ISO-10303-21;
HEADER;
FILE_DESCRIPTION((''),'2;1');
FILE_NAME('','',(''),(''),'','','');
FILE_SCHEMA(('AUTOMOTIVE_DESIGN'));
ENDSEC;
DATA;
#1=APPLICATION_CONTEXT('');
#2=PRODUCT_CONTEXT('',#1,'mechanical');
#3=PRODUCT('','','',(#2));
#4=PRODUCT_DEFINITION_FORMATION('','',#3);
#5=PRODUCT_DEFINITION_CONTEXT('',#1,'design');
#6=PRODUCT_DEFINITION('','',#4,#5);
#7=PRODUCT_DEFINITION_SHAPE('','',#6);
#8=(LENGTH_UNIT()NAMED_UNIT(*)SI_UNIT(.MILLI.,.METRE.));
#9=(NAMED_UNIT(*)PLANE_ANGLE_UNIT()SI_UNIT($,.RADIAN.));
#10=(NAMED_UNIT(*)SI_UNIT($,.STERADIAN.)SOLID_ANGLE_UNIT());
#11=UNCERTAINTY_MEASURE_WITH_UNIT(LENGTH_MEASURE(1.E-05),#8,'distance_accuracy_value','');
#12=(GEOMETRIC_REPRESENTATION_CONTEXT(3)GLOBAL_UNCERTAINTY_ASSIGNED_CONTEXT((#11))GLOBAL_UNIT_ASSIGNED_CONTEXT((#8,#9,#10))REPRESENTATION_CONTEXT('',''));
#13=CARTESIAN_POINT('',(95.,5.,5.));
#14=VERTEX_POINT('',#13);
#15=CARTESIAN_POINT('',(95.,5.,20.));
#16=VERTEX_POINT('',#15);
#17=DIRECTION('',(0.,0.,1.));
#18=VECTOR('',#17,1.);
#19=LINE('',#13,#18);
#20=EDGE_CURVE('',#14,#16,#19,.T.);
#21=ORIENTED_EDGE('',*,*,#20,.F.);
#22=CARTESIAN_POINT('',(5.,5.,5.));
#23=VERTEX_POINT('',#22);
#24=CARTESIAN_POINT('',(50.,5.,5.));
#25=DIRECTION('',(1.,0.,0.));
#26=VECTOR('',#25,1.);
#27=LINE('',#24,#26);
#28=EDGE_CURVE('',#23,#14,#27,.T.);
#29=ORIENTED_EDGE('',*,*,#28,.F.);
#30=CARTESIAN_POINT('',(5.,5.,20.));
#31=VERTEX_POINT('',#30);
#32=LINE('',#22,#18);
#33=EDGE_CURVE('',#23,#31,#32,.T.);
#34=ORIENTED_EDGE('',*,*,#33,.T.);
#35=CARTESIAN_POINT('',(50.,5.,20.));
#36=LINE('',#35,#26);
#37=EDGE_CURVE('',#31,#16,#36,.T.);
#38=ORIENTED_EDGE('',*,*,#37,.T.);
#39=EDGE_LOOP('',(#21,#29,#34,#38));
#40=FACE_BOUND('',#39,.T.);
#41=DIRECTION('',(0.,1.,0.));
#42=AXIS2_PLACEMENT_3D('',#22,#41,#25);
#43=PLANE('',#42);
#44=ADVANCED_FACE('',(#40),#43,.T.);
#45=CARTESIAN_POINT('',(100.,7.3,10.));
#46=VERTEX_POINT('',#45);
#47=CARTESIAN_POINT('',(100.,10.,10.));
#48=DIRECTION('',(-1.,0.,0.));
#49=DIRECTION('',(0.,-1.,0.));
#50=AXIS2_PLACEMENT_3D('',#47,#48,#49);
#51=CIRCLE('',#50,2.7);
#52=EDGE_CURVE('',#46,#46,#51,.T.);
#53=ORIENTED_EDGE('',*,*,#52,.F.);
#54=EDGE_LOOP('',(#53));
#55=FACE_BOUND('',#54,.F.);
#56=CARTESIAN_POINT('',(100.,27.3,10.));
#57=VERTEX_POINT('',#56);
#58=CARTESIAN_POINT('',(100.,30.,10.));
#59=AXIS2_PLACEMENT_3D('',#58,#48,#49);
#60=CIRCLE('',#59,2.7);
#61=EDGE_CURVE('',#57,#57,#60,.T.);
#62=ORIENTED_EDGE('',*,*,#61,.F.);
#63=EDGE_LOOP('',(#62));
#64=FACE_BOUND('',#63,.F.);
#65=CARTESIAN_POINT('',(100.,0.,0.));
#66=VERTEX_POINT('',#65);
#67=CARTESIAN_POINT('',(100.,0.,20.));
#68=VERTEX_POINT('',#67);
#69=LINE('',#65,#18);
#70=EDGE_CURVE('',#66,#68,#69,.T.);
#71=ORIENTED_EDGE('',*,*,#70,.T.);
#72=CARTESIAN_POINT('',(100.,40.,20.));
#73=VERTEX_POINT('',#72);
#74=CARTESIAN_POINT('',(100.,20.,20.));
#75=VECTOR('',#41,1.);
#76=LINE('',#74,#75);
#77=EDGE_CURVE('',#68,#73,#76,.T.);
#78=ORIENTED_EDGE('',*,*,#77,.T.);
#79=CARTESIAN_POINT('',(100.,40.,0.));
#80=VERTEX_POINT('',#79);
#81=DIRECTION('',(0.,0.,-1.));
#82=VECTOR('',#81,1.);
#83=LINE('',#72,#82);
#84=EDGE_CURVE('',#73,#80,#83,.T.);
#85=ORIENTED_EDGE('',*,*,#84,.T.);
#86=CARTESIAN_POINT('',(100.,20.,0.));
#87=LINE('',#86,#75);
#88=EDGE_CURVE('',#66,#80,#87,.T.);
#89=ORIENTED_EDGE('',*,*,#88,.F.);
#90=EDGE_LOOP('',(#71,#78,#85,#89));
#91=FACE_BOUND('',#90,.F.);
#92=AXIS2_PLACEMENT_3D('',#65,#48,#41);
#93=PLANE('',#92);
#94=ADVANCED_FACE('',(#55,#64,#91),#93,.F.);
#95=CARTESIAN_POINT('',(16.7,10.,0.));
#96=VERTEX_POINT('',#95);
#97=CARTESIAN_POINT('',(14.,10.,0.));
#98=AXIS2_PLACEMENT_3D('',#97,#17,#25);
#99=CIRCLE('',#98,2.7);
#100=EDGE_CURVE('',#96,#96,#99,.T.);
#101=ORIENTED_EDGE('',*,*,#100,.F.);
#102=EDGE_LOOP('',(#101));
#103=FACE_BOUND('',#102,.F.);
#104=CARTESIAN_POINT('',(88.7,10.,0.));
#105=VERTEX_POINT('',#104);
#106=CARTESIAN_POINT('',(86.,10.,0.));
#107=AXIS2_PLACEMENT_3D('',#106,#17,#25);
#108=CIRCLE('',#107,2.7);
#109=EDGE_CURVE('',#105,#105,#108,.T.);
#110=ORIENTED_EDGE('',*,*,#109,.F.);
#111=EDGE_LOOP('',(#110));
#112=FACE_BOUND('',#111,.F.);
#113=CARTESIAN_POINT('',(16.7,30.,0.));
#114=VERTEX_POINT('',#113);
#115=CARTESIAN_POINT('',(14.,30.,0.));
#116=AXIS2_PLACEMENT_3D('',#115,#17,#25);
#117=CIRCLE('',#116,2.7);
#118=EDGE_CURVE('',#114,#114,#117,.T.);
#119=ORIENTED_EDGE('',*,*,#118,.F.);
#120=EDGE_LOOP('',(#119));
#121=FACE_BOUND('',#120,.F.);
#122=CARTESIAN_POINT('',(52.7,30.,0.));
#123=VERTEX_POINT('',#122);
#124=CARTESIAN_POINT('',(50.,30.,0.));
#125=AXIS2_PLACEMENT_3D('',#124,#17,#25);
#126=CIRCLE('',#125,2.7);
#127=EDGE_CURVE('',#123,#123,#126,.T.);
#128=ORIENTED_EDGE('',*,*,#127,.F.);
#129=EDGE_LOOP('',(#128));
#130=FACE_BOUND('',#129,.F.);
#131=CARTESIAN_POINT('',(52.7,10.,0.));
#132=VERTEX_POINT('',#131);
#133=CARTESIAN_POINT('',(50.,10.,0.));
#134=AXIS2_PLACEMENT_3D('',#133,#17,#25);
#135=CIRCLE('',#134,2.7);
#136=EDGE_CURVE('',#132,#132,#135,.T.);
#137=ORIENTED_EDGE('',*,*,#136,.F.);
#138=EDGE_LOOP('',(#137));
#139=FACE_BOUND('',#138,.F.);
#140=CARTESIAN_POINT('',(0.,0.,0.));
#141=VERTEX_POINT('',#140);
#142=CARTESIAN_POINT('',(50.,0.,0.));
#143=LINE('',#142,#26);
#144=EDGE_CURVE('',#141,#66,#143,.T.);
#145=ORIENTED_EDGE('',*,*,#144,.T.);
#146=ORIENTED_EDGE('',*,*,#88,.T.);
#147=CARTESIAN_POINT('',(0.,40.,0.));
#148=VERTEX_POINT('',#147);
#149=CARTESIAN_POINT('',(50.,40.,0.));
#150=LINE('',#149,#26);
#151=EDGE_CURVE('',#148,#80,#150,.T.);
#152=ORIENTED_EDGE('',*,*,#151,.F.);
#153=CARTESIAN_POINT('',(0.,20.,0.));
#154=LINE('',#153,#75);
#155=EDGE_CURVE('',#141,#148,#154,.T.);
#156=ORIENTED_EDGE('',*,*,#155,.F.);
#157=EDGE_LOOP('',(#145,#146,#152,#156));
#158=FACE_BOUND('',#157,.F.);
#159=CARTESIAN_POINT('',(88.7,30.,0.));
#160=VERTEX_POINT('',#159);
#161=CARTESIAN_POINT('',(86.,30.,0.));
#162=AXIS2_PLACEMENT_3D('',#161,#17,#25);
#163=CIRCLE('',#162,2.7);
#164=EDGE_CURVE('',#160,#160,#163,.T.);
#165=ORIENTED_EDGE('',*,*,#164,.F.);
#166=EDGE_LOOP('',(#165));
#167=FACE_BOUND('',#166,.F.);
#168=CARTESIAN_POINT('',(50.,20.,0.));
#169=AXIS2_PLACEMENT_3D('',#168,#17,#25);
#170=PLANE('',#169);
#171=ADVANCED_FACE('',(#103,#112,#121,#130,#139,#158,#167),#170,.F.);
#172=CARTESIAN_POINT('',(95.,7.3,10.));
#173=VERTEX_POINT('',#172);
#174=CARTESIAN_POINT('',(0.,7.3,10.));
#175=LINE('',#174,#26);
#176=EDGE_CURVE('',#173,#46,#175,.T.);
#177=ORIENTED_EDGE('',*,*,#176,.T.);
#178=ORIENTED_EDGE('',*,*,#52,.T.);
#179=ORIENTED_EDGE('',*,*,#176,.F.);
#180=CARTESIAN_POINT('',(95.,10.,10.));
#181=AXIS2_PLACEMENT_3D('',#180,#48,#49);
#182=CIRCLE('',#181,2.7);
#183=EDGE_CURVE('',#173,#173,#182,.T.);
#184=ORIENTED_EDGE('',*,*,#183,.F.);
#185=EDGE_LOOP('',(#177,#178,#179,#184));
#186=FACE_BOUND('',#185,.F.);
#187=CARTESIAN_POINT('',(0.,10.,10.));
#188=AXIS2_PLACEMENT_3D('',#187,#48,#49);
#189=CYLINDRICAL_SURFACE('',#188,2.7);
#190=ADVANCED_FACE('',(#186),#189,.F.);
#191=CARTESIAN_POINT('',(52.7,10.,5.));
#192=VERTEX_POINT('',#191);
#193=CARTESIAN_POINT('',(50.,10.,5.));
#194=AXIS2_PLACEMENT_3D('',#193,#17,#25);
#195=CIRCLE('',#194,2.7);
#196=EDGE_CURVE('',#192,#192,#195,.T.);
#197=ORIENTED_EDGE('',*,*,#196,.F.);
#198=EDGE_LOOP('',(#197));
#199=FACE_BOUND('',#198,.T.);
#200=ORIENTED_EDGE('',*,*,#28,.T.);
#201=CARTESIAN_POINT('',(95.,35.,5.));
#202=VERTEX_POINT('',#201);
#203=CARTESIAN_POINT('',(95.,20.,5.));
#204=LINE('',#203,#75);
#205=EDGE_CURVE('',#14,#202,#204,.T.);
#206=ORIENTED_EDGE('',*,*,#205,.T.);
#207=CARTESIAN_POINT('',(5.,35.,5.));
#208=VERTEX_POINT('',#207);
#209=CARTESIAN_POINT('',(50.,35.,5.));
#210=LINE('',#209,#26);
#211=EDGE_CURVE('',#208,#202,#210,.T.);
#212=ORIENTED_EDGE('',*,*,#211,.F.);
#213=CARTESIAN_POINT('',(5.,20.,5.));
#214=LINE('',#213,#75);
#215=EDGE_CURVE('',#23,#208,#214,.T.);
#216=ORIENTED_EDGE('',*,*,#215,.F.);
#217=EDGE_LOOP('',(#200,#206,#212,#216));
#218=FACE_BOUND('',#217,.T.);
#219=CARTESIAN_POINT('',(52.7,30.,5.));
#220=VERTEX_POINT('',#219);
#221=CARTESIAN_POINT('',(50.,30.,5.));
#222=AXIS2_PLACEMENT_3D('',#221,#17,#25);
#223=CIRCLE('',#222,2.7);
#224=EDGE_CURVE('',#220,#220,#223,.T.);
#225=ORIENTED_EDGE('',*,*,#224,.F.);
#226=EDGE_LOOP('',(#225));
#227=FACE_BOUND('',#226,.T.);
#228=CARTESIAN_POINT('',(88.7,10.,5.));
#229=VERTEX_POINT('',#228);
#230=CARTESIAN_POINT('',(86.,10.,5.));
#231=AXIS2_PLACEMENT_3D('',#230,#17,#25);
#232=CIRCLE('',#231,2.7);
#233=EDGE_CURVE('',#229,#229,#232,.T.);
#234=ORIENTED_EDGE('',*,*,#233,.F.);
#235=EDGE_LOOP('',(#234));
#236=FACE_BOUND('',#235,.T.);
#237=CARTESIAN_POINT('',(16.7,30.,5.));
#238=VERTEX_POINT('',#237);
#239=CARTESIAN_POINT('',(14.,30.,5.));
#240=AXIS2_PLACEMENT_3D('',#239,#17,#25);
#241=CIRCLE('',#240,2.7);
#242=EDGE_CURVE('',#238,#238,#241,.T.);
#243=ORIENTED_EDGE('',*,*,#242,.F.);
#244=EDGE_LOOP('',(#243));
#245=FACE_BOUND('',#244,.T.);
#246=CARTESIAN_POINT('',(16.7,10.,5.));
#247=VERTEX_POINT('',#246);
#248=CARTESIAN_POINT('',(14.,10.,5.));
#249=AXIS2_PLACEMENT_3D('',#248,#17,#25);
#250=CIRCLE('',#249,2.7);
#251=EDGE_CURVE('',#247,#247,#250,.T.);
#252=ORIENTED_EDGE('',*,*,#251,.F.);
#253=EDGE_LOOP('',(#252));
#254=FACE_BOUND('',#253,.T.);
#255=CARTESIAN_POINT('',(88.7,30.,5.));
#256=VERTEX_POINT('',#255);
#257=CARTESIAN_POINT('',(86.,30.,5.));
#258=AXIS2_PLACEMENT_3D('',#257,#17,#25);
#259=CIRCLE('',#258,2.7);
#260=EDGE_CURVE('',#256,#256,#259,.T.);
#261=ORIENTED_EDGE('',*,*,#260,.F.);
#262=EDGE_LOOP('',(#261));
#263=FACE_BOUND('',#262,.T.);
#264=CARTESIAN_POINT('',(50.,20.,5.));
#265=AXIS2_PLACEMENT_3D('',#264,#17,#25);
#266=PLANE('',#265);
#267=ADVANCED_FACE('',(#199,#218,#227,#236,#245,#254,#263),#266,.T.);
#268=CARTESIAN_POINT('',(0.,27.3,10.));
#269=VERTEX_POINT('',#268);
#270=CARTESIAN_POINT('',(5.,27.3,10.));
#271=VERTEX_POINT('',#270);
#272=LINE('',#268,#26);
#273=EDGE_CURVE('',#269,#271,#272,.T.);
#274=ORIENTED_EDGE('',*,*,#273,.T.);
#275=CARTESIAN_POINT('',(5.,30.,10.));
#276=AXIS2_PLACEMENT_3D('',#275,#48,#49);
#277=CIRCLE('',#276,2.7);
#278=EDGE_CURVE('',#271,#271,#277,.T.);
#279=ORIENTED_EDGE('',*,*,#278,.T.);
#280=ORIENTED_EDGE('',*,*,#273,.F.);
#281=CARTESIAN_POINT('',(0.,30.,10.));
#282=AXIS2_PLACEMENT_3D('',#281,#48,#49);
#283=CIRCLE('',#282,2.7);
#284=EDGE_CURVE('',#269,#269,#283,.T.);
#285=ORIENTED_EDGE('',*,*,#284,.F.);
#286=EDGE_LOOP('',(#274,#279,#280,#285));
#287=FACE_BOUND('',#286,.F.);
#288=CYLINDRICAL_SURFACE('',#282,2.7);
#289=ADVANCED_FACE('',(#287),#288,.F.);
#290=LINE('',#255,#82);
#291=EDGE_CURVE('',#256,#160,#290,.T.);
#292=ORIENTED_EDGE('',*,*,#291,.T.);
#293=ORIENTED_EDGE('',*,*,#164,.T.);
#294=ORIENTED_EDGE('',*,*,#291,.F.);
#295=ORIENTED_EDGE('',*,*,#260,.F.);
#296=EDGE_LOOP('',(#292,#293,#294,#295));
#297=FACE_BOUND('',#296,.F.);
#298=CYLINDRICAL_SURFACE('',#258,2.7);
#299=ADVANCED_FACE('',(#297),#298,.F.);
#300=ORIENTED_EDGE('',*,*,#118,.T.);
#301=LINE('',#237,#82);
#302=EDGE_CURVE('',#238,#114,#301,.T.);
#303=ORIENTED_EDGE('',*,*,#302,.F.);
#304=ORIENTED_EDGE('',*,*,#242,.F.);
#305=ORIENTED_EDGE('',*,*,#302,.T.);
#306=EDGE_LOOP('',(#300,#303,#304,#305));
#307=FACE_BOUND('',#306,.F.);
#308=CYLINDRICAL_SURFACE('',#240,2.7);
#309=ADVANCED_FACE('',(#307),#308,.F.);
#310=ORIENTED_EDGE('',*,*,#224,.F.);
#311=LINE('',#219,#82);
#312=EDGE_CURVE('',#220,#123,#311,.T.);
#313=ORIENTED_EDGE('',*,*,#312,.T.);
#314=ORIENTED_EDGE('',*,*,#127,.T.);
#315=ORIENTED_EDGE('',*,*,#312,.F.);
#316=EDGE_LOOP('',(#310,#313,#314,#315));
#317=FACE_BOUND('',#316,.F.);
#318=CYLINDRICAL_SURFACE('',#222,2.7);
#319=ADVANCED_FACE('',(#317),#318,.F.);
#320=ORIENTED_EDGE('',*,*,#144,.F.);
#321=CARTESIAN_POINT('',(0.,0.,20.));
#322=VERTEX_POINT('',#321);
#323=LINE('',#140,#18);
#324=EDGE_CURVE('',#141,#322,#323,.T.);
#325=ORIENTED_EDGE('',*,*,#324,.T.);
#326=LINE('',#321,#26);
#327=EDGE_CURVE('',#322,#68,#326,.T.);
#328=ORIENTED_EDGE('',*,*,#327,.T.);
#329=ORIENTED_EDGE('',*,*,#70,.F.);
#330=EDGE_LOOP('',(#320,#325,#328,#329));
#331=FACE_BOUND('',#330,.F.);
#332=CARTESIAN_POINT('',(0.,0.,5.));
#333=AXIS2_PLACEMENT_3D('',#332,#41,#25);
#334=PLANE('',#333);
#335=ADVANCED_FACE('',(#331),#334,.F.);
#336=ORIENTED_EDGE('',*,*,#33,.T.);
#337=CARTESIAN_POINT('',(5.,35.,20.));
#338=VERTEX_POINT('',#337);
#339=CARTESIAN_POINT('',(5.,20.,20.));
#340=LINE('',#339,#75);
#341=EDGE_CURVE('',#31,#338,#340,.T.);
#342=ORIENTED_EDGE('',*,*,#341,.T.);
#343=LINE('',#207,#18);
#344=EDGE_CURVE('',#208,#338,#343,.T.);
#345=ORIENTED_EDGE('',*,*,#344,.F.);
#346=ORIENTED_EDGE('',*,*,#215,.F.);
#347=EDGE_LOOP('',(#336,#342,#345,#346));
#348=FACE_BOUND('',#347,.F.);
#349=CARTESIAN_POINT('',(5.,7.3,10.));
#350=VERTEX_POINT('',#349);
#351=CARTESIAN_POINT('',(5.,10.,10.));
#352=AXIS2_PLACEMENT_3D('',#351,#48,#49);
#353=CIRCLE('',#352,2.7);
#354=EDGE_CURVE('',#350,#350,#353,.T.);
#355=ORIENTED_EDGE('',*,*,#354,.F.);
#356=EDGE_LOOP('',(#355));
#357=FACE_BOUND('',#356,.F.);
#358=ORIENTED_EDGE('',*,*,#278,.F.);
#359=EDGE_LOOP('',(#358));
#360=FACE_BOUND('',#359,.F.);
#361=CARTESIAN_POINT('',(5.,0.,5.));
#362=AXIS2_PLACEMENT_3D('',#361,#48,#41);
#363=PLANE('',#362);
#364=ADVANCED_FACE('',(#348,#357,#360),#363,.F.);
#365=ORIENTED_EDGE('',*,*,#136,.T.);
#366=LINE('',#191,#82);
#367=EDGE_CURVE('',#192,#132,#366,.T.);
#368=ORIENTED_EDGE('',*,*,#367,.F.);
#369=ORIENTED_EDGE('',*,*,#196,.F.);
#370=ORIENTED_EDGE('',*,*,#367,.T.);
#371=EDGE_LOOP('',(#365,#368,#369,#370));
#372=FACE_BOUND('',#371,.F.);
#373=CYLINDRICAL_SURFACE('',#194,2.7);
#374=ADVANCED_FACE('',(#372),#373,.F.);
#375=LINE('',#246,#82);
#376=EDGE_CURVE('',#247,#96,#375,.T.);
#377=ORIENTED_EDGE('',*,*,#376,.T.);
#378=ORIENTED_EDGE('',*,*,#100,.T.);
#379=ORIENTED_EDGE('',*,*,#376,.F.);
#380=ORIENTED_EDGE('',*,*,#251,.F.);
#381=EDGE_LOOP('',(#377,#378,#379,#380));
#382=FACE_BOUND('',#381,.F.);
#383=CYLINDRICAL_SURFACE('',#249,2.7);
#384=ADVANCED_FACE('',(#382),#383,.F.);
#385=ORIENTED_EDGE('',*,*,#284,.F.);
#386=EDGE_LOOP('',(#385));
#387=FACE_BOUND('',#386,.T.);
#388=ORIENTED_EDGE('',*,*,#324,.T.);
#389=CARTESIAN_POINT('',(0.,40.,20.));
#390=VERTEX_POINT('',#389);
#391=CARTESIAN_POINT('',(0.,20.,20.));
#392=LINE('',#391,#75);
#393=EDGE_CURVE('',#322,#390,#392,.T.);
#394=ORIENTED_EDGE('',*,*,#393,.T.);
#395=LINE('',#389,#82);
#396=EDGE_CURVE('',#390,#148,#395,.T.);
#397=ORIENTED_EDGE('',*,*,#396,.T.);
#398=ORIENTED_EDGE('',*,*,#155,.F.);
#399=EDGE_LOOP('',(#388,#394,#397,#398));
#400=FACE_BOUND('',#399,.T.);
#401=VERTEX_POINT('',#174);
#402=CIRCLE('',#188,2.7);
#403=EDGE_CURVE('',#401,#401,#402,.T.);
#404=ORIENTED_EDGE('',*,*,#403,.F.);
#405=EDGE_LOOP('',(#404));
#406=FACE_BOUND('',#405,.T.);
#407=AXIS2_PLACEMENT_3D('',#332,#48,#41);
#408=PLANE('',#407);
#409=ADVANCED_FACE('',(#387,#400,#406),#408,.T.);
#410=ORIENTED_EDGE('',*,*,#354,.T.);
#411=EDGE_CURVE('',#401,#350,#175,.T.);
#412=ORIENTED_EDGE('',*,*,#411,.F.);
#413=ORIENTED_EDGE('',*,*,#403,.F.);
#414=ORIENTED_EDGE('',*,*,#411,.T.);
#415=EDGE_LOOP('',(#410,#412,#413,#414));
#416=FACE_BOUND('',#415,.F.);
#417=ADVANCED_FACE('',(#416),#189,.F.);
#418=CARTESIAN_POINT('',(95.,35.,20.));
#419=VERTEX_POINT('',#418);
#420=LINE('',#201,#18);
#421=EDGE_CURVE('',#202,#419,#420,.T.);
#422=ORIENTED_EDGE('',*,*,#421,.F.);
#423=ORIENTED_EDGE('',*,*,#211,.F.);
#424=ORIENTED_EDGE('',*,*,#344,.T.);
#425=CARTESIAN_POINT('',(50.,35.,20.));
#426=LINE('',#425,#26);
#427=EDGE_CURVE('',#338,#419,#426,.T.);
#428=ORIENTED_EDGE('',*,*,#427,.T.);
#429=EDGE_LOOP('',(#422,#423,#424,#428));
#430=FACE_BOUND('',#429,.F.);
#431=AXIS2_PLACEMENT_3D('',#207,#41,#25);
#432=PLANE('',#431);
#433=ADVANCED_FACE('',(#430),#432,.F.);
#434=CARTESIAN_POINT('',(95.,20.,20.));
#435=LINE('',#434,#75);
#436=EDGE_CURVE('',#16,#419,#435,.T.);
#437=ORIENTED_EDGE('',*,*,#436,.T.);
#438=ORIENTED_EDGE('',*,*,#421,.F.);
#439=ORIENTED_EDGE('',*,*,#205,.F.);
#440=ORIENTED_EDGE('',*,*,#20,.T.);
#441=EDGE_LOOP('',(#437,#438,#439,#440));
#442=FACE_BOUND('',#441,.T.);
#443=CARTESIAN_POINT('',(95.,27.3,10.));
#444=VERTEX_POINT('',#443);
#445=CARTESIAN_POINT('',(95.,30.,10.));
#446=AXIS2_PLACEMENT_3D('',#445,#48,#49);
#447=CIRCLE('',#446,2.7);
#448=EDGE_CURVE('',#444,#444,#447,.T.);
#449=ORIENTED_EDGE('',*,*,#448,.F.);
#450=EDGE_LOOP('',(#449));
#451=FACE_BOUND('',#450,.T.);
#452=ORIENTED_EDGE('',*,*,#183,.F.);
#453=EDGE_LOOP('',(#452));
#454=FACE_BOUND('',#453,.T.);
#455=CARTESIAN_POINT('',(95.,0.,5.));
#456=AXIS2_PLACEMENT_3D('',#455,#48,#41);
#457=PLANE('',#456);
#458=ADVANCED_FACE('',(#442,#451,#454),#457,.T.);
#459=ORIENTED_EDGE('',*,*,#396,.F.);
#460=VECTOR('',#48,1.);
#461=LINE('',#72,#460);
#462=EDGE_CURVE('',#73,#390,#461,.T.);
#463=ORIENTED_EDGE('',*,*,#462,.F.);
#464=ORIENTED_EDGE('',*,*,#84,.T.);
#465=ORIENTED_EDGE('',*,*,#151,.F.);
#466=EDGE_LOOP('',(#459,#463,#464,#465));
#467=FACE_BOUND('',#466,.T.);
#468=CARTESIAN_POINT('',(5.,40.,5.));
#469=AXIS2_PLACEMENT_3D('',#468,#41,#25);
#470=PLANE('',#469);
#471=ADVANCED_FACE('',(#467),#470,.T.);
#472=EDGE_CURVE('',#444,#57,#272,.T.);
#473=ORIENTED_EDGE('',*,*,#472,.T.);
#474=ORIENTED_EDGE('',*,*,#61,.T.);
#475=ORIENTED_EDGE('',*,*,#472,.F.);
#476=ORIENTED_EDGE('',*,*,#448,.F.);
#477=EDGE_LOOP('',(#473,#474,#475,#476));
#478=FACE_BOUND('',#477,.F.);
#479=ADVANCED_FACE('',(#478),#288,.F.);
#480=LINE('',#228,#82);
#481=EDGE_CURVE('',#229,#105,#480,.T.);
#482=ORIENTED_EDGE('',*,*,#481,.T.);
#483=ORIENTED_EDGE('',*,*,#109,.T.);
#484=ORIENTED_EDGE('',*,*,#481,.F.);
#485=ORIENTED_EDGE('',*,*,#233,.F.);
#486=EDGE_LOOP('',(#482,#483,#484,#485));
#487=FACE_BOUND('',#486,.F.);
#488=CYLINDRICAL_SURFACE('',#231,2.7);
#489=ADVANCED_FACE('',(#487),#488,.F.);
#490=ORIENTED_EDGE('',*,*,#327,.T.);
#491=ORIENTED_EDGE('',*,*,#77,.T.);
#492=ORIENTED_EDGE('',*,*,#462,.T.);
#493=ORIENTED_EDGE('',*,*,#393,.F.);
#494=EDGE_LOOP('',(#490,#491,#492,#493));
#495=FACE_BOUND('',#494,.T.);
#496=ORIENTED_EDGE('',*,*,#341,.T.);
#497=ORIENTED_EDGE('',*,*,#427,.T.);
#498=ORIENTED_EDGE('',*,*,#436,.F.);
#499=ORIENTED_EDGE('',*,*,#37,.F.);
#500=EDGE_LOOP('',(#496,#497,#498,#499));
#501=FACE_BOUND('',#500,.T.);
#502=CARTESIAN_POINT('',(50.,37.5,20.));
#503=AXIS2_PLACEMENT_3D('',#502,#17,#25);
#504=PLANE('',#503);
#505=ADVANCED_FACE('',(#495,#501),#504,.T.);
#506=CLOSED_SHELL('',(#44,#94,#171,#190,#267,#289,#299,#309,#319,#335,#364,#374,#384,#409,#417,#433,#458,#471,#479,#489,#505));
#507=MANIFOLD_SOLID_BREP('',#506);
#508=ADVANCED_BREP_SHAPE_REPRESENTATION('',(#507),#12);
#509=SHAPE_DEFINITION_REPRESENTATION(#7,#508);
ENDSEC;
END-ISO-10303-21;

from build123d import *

# Parameters (mm, degrees)
SKETCH079_W     = 100
SKETCH079_H     = 40
PAD064_DEPTH    = 5
SKETCH080_W     = 5
SKETCH080_H     = 40
PAD065_DEPTH    = 15
SKETCH081_R     = 2.7
POCKET019_DEPTH = 100.001
SKETCH082_R     = 2.7
POCKET020_DEPTH = 5
SKETCH089_W     = 90
SKETCH089_H     = 5
PAD072_DEPTH    = 15


with BuildPart() as part:
    # Sketch079 → Pad064 (new body)
    with BuildSketch(Plane.XY):
        with Locations((50, 20)):
            Rectangle(SKETCH079_W, SKETCH079_H)
    extrude(amount=PAD064_DEPTH)

    # Sketch080 (on Face6 of Pad064) → Pad065 (join)
    with BuildSketch(Plane.XY.offset(5)):
        with Locations((2.5, 20)):
            Rectangle(SKETCH080_W, SKETCH080_H)
        with Locations((97.5, 20)):
            Rectangle(SKETCH080_W, SKETCH080_H)
    extrude(amount=PAD065_DEPTH)

    # Sketch081 (on Face5 of Pad065) → Pocket019 (cut, through all)
    with BuildSketch(Plane(origin=(0, 0, 0), x_dir=(0, -1, 0), z_dir=(-1, 0, 0))):
        with Locations((-30, 10)):
            Circle(SKETCH081_R)
        with Locations((-10, 10)):
            Circle(SKETCH081_R)
    extrude(amount=-POCKET019_DEPTH, mode=Mode.SUBTRACT)

    # Sketch082 (on Face8 of Pocket019) → Pocket020 (cut)
    with BuildSketch(Plane.XY.offset(5)):
        with Locations((14, 30)):
            Circle(SKETCH082_R)
        with Locations((14, 10)):
            Circle(SKETCH082_R)
        with Locations((86, 30)):
            Circle(SKETCH082_R)
        with Locations((86, 10)):
            Circle(SKETCH082_R)
        with Locations((50, 30)):
            Circle(SKETCH082_R)
        with Locations((50, 10)):
            Circle(SKETCH082_R)
    extrude(amount=-POCKET020_DEPTH, mode=Mode.SUBTRACT)

    # Sketch089 (on Face8 of Pocket020) → Pad072 (join)
    with BuildSketch(Plane.XY.offset(5)):
        with Locations((50, 37.5)):
            Rectangle(SKETCH089_W, SKETCH089_H)
        with Locations((50, 2.5)):
            Rectangle(SKETCH089_W, SKETCH089_H)
    extrude(amount=PAD072_DEPTH)


solid = part.part
